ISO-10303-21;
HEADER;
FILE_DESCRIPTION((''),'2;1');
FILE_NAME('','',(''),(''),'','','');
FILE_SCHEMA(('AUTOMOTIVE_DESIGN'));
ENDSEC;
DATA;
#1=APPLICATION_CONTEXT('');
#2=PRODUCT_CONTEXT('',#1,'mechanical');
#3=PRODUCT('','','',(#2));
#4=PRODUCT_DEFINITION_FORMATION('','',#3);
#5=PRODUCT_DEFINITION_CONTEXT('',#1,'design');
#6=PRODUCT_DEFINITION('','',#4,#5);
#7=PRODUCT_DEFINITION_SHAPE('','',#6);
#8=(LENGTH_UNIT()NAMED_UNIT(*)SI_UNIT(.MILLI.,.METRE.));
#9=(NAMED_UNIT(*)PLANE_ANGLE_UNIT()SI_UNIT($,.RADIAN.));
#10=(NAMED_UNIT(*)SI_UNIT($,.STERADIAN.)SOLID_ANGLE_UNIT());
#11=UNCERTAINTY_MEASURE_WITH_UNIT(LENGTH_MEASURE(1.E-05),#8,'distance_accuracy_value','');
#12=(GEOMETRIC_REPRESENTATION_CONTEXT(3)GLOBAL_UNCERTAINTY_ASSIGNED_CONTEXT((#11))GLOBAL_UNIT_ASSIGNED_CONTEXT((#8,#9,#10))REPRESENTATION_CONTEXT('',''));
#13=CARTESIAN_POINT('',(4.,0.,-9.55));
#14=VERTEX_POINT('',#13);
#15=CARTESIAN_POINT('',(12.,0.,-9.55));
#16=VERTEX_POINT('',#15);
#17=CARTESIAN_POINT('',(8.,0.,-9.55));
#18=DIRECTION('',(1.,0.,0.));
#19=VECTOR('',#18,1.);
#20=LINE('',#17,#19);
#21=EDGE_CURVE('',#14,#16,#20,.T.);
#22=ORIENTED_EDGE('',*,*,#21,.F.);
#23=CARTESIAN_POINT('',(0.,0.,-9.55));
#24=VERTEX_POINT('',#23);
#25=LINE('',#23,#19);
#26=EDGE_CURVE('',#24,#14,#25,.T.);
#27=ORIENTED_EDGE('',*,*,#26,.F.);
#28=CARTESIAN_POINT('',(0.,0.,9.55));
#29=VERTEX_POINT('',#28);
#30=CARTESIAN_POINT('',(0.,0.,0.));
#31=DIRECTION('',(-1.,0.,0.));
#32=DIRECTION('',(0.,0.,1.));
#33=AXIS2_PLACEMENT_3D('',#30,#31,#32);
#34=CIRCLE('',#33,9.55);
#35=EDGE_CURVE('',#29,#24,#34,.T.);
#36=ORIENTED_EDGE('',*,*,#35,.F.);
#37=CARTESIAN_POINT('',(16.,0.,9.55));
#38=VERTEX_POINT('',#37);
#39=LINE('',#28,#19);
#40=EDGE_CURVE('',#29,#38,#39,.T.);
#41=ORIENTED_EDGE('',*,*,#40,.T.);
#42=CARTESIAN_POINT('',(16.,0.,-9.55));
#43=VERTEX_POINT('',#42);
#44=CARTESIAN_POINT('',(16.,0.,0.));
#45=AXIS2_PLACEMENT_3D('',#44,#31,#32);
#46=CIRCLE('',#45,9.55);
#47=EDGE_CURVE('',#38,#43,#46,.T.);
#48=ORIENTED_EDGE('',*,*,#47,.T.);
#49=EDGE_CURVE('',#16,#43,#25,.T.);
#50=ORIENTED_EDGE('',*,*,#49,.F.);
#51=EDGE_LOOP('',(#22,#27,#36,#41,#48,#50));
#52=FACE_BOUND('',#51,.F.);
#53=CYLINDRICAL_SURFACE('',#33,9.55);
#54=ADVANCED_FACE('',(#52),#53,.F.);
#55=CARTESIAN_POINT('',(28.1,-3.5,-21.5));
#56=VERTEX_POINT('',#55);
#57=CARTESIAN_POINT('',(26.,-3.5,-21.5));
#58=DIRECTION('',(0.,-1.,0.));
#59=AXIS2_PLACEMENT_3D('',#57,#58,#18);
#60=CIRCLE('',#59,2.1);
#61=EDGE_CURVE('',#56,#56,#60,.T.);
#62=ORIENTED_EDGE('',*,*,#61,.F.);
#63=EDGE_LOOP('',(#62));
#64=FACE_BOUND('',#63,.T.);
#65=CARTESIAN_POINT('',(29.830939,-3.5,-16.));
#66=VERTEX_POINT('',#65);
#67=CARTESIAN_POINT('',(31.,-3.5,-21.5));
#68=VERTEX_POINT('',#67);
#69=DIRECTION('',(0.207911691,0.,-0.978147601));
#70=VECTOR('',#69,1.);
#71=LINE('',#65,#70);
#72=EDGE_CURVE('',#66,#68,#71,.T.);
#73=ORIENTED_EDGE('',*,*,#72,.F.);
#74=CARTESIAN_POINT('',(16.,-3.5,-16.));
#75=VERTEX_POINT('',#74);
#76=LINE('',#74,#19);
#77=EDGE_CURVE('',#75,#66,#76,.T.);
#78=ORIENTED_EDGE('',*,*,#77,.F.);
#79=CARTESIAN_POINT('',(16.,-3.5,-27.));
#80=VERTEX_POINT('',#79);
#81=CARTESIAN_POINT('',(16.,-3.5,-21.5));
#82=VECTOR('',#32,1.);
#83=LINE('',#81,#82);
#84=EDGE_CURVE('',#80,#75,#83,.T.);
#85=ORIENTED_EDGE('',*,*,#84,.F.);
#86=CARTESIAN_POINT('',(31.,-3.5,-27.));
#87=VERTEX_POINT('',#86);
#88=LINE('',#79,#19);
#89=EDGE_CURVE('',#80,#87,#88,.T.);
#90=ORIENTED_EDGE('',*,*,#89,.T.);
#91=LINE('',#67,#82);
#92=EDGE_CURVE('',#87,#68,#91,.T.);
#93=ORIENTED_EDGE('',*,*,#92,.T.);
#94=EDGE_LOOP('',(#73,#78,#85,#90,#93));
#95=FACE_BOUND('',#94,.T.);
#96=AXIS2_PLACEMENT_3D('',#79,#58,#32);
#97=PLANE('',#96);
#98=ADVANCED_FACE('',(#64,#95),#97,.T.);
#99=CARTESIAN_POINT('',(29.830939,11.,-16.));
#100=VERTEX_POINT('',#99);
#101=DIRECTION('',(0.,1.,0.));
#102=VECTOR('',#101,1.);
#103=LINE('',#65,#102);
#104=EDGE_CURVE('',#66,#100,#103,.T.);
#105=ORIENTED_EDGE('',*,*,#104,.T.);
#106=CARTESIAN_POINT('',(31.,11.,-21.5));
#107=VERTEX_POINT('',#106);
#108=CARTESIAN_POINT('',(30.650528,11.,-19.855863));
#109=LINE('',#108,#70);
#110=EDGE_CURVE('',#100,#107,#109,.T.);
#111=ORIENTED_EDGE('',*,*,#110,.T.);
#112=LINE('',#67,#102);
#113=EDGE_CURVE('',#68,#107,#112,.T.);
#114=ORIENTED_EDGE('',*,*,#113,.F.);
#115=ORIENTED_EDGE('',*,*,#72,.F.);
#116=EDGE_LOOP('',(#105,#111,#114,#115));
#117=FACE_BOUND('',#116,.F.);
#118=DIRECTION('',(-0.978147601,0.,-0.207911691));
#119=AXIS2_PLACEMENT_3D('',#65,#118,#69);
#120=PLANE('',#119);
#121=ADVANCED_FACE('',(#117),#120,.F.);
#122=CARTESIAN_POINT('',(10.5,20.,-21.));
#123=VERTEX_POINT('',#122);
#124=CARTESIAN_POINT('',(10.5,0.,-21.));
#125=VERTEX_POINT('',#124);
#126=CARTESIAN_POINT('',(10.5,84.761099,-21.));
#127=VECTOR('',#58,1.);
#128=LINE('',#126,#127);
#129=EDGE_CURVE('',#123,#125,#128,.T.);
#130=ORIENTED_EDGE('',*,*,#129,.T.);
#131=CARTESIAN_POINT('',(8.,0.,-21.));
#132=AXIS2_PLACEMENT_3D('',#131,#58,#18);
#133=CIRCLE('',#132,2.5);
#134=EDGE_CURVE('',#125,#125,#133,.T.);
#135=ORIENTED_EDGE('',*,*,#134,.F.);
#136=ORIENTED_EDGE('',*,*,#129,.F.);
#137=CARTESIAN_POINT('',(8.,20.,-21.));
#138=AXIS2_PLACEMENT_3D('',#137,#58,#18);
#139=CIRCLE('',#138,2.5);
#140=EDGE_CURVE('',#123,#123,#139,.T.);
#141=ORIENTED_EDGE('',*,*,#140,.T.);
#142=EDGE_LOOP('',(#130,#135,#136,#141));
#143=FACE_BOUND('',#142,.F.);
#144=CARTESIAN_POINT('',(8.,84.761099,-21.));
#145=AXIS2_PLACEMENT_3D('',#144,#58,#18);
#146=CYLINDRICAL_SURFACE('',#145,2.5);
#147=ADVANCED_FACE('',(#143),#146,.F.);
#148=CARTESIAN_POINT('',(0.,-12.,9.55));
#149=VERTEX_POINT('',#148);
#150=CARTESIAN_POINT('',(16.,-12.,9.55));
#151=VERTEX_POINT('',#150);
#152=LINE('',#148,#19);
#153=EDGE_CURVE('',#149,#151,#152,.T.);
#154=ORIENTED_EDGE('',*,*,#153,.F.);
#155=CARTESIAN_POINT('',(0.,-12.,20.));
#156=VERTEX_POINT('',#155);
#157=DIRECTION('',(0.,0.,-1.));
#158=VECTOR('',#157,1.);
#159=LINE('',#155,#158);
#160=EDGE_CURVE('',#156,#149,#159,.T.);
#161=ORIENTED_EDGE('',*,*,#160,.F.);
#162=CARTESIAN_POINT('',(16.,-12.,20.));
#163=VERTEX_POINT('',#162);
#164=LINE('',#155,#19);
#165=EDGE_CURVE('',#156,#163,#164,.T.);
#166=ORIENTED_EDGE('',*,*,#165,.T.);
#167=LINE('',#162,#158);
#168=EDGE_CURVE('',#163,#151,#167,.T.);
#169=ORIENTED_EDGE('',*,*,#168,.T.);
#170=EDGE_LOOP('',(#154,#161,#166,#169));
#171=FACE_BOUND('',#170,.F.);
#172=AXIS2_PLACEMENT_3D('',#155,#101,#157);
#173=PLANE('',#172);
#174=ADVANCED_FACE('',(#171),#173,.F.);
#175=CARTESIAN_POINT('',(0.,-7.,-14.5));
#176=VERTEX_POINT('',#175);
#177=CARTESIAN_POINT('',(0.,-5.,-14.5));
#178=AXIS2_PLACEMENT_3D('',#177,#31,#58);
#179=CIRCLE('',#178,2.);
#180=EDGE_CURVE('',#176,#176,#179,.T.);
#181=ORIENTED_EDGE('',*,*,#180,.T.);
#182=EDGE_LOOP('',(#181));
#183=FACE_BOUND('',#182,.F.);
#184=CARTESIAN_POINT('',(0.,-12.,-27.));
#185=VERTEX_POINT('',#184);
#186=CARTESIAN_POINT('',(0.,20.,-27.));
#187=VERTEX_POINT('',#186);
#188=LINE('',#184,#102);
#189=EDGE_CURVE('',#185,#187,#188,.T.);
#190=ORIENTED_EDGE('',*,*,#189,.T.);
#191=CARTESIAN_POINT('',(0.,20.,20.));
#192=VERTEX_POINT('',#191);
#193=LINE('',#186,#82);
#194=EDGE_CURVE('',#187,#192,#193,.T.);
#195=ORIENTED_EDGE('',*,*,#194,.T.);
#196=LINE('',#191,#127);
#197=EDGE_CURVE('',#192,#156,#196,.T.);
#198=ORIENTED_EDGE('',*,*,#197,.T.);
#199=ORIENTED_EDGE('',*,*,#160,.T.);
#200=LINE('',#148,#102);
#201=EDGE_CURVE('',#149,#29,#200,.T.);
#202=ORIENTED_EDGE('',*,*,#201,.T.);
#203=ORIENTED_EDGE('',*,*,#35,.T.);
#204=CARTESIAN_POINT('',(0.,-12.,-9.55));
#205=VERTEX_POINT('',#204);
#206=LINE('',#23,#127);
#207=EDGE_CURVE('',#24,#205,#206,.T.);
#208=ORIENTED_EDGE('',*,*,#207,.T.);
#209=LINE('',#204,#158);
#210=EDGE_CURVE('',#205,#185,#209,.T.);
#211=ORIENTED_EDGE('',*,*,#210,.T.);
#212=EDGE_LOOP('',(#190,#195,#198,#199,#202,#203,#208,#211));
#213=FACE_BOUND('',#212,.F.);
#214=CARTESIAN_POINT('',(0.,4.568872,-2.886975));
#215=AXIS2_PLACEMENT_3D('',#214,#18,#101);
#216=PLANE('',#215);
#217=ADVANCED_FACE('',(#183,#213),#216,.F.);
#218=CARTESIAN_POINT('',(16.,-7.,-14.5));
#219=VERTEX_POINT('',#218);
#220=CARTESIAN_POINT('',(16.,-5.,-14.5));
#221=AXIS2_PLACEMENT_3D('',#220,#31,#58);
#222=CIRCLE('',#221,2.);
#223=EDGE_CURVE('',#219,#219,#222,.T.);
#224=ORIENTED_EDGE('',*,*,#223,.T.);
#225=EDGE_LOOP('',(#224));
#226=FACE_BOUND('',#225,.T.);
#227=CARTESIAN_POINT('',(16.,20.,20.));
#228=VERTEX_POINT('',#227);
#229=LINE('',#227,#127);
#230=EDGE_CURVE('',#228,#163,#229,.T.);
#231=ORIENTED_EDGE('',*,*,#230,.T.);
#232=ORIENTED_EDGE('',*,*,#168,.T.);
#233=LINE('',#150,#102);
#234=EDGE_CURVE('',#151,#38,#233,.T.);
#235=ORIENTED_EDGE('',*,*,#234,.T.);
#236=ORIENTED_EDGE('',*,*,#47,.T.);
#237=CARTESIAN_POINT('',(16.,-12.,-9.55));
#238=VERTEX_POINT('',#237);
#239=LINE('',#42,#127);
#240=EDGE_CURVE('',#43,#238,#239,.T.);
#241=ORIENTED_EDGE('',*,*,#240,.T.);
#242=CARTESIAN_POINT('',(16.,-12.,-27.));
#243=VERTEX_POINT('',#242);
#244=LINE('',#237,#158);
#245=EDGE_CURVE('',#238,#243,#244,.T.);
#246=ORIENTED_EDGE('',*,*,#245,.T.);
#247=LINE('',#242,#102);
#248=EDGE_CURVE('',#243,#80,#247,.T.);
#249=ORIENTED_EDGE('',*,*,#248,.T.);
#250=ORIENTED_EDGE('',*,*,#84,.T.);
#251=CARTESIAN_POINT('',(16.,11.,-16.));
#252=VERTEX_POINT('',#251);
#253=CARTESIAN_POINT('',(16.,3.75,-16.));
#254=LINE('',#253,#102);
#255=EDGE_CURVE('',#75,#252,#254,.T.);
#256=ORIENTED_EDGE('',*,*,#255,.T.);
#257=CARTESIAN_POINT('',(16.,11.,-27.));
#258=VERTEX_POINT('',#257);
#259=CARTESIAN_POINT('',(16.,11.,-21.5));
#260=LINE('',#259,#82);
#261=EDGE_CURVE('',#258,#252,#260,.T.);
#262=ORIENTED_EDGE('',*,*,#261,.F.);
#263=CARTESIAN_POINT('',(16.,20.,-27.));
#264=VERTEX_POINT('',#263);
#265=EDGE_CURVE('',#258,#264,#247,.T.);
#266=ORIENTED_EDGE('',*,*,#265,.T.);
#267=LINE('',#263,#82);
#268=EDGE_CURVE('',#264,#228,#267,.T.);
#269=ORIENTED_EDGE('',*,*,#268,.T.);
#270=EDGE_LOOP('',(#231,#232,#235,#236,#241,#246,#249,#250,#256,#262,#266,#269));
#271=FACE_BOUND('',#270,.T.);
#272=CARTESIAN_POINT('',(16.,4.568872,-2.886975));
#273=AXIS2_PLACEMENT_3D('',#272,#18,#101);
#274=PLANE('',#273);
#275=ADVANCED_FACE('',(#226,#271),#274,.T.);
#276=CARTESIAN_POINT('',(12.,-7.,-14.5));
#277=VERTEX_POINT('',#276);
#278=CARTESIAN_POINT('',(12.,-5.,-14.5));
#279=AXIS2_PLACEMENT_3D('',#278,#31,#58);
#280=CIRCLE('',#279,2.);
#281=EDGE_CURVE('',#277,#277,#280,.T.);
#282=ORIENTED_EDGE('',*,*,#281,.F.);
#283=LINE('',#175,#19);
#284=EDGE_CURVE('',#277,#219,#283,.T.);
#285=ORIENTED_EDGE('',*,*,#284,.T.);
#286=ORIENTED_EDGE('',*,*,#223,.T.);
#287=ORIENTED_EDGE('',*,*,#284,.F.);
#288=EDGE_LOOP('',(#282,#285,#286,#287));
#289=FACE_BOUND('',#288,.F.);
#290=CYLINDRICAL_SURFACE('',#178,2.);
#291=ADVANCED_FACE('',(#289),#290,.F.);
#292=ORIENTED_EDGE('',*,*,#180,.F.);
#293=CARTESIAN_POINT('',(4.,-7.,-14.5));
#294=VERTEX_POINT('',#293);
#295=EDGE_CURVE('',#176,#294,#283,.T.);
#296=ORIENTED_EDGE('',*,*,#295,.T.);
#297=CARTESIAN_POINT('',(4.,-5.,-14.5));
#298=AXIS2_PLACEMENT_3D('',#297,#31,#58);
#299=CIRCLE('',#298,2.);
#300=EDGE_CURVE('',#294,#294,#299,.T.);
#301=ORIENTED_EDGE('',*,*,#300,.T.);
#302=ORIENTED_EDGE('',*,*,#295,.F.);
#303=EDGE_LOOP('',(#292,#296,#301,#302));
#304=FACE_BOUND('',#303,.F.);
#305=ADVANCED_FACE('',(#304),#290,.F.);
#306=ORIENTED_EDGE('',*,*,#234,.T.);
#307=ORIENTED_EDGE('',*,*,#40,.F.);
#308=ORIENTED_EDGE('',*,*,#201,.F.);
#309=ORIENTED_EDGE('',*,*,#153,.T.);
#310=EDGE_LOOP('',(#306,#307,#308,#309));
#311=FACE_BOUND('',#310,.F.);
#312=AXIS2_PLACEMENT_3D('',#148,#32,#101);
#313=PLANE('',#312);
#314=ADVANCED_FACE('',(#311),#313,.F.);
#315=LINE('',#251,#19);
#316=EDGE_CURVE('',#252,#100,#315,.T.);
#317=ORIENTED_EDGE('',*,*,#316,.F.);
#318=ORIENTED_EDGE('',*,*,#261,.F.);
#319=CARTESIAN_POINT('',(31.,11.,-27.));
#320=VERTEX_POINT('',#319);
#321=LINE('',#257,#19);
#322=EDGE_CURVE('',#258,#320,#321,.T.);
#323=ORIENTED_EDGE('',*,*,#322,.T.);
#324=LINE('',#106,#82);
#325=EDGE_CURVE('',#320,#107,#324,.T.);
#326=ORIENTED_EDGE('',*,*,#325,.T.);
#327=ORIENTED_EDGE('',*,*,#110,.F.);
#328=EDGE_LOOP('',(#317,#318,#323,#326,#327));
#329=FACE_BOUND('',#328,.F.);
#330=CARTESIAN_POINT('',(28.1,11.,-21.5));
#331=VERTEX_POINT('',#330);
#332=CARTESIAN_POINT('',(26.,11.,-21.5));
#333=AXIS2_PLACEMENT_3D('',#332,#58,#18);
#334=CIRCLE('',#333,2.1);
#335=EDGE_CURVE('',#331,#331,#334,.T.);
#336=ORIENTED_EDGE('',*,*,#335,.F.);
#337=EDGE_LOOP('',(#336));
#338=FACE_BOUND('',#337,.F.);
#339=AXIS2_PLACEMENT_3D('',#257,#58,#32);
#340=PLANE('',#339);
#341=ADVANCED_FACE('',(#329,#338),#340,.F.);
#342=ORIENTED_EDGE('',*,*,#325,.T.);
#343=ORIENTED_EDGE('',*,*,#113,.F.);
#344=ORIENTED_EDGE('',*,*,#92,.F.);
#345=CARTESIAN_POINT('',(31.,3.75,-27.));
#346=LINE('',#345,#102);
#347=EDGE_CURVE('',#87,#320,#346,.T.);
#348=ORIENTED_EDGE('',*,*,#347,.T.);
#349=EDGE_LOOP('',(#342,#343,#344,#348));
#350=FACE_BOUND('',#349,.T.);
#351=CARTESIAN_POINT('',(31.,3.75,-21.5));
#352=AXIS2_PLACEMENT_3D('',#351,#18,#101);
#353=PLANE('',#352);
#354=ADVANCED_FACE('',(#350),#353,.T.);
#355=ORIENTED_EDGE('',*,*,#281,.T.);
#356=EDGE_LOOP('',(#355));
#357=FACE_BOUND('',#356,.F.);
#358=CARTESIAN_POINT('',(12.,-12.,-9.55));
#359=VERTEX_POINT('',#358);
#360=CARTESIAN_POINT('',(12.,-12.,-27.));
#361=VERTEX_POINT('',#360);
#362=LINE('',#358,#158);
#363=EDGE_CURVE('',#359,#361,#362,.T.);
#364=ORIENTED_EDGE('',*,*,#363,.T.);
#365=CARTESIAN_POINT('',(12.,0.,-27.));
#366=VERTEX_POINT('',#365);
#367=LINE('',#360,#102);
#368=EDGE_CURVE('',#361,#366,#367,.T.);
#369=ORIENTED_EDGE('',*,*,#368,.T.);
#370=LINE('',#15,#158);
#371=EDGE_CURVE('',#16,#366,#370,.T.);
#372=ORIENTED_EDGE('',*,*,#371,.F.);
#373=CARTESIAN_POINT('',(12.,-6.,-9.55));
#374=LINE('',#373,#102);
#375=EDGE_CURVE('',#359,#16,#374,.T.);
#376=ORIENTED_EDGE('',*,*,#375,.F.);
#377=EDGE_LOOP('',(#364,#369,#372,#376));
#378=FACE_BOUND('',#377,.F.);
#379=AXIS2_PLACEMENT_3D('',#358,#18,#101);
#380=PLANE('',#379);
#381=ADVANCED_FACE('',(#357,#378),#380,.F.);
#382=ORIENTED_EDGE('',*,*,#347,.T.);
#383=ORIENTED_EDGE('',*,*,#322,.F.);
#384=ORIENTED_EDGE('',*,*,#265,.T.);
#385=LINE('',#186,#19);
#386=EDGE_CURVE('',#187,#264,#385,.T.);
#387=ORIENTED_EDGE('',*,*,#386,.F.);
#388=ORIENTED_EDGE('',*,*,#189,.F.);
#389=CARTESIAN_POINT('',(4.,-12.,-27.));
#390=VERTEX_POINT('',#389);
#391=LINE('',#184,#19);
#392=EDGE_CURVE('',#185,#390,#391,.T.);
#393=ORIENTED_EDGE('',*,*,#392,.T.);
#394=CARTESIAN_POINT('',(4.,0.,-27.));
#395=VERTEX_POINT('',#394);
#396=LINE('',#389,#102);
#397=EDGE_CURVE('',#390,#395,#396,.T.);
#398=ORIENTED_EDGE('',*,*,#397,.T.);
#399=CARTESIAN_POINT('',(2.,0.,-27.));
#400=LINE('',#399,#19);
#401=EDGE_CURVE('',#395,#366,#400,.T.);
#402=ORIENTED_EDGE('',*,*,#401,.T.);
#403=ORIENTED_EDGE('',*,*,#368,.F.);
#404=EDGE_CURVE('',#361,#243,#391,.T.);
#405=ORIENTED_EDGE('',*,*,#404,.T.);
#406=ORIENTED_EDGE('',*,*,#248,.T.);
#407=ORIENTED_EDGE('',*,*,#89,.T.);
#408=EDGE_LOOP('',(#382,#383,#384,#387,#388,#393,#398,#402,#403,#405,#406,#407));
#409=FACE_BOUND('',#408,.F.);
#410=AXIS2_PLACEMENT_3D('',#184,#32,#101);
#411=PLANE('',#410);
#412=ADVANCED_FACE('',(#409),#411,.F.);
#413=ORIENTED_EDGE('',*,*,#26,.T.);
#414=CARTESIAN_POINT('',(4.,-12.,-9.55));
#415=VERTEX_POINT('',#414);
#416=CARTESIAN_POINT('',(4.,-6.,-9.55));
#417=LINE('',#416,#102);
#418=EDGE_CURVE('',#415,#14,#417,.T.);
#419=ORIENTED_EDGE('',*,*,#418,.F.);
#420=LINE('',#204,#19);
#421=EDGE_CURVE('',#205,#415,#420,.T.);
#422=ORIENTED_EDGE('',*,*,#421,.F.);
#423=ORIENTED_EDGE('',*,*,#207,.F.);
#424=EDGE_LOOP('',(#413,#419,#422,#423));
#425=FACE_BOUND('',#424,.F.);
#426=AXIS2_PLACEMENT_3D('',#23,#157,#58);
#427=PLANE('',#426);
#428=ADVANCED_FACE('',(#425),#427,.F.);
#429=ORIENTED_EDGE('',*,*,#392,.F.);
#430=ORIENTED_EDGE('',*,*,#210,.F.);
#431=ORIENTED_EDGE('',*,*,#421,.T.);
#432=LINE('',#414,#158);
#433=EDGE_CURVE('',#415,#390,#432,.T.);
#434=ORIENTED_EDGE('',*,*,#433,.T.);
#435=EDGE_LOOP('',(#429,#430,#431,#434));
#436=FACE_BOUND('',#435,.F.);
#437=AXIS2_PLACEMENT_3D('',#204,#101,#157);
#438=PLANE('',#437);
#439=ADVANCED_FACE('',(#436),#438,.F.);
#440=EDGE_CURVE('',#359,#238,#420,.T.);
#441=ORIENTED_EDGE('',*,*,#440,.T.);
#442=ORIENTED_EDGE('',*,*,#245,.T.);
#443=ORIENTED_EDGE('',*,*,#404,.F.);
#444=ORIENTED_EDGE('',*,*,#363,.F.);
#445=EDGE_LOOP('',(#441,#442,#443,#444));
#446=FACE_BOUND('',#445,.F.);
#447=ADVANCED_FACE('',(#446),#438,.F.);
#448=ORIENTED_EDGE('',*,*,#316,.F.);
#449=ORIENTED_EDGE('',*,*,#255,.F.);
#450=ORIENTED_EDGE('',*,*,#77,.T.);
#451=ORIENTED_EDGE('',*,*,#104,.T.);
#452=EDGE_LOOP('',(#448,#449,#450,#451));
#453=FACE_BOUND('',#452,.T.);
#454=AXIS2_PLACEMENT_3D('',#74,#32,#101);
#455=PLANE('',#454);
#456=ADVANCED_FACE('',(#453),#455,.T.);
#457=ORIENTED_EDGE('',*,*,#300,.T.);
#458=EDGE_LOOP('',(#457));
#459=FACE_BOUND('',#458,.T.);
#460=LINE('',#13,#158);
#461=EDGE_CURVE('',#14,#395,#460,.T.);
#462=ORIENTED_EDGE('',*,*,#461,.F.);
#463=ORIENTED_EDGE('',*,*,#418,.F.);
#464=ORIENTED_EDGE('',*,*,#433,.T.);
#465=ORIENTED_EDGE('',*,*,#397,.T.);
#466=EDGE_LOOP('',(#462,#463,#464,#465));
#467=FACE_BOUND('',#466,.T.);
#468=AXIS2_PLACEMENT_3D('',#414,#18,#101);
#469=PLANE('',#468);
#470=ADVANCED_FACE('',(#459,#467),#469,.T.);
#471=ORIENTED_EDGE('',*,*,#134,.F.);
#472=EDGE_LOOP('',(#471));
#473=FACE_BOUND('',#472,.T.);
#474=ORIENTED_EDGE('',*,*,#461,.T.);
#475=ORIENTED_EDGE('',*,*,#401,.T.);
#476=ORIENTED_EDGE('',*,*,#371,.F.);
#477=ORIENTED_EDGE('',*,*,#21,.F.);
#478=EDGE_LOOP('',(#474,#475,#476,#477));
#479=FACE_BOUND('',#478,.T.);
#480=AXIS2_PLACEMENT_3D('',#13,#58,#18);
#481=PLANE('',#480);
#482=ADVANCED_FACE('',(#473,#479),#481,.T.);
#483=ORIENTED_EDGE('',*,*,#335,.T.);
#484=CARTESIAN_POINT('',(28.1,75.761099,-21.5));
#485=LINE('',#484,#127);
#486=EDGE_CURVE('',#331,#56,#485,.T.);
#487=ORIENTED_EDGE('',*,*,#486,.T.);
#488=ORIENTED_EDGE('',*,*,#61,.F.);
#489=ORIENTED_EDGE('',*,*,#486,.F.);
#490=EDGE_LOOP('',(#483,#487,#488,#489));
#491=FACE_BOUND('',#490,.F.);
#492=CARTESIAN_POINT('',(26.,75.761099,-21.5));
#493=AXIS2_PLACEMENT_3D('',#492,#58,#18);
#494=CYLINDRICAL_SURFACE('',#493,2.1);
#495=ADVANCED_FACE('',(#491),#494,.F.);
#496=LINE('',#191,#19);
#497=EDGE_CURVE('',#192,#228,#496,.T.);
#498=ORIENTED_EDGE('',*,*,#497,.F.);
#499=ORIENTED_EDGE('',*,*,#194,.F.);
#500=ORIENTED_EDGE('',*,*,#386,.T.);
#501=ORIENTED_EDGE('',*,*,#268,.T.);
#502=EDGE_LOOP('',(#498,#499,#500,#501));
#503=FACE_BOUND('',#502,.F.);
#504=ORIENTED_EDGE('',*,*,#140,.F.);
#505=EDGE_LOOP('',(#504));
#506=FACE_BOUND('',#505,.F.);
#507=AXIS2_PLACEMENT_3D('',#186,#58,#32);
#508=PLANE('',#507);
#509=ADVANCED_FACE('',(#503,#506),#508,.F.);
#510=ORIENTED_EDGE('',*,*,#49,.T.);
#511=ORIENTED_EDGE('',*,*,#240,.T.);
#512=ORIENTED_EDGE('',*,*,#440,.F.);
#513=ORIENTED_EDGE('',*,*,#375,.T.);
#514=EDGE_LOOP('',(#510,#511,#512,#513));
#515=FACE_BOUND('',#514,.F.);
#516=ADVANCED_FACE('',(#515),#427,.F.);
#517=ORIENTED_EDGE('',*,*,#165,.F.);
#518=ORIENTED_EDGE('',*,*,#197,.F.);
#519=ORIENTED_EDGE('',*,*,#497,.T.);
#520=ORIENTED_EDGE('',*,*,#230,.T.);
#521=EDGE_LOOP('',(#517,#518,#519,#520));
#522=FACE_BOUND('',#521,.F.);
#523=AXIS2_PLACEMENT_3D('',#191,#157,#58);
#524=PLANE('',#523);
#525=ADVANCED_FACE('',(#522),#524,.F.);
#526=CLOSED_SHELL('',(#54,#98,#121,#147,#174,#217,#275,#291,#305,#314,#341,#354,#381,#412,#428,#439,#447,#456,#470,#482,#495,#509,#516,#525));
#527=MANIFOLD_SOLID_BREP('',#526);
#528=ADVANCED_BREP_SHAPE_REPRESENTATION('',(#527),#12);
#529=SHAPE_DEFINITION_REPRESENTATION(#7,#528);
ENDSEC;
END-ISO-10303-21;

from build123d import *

# Parameters (mm, degrees)
F1_DEPTH  = 16
F2_W      = 14.5
F2_H      = 11
F3_DEPTH  = 15
F5_DEPTH  = 23.501
F7_D      = 4.2
F8_W      = 8
F8_H      = 12
F9_DEPTH  = 17.451
F10_R     = 2
F11_DEPTH = 31.001
F14_D     = 5


with BuildPart() as f1:
    # F0 (on Right) → F1 (new body)
    with BuildSketch(Plane.YZ):
        with BuildLine():
            ThreePointArc((0, 9.55), (9.55, 0), (0, -9.55))
            Line((0, -9.55), (-12, -9.55))
            Line((-12, -9.55), (-12, -27))
            Line((-12, -27), (20, -27))
            Line((20, -27), (20, 20))
            Line((20, 20), (-12, 20))
            Line((-12, 20), (-12, 9.55))
            Line((-12, 9.55), (0, 9.55))
        make_face()
    extrude(amount=F1_DEPTH)

    # F2 (on face) → F3 (join)
    with BuildSketch(Plane.YZ.offset(16)):
        with Locations((3.75, -21.5)):
            Rectangle(F2_W, F2_H)
    extrude(amount=F3_DEPTH)

    # F4 (on face) → F5 (cut, through all)
    with BuildSketch(Plane.XZ.offset(3.5)):
        Polygon((29.8309389108, -16), (31, -21.5), (31, -16), align=None)
    extrude(amount=-F5_DEPTH, mode=Mode.SUBTRACT)

    # F7 (through all)
    with Locations(Plane(origin=(0, 11, 0), x_dir=(-1, 0, 0), z_dir=(0, 1, 0))):
        with Locations((-26, -21.5)):
            Hole(F7_D / 2)

    # F8 (on face) → F9 (cut, through all)
    with BuildSketch(Plane.XY.offset(-9.55)):
        with Locations((8, -6)):
            Rectangle(F8_W, F8_H)
    extrude(amount=-F9_DEPTH, mode=Mode.SUBTRACT)

    # F10 (on face) → F11 (cut, through all)
    with BuildSketch(Plane(origin=(0, 0, 0), x_dir=(0, -1, 0), z_dir=(-1, 0, 0))):
        with Locations((5, -14.5)):
            Circle(F10_R)
    extrude(amount=-F11_DEPTH, mode=Mode.SUBTRACT)

    # F14 (through all)
    with Locations(Plane(origin=(0, 20, 0), x_dir=(-1, 0, 0), z_dir=(0, 1, 0))):
        with Locations((-8, -21)):
            Hole(F14_D / 2)


solid = f1.part
